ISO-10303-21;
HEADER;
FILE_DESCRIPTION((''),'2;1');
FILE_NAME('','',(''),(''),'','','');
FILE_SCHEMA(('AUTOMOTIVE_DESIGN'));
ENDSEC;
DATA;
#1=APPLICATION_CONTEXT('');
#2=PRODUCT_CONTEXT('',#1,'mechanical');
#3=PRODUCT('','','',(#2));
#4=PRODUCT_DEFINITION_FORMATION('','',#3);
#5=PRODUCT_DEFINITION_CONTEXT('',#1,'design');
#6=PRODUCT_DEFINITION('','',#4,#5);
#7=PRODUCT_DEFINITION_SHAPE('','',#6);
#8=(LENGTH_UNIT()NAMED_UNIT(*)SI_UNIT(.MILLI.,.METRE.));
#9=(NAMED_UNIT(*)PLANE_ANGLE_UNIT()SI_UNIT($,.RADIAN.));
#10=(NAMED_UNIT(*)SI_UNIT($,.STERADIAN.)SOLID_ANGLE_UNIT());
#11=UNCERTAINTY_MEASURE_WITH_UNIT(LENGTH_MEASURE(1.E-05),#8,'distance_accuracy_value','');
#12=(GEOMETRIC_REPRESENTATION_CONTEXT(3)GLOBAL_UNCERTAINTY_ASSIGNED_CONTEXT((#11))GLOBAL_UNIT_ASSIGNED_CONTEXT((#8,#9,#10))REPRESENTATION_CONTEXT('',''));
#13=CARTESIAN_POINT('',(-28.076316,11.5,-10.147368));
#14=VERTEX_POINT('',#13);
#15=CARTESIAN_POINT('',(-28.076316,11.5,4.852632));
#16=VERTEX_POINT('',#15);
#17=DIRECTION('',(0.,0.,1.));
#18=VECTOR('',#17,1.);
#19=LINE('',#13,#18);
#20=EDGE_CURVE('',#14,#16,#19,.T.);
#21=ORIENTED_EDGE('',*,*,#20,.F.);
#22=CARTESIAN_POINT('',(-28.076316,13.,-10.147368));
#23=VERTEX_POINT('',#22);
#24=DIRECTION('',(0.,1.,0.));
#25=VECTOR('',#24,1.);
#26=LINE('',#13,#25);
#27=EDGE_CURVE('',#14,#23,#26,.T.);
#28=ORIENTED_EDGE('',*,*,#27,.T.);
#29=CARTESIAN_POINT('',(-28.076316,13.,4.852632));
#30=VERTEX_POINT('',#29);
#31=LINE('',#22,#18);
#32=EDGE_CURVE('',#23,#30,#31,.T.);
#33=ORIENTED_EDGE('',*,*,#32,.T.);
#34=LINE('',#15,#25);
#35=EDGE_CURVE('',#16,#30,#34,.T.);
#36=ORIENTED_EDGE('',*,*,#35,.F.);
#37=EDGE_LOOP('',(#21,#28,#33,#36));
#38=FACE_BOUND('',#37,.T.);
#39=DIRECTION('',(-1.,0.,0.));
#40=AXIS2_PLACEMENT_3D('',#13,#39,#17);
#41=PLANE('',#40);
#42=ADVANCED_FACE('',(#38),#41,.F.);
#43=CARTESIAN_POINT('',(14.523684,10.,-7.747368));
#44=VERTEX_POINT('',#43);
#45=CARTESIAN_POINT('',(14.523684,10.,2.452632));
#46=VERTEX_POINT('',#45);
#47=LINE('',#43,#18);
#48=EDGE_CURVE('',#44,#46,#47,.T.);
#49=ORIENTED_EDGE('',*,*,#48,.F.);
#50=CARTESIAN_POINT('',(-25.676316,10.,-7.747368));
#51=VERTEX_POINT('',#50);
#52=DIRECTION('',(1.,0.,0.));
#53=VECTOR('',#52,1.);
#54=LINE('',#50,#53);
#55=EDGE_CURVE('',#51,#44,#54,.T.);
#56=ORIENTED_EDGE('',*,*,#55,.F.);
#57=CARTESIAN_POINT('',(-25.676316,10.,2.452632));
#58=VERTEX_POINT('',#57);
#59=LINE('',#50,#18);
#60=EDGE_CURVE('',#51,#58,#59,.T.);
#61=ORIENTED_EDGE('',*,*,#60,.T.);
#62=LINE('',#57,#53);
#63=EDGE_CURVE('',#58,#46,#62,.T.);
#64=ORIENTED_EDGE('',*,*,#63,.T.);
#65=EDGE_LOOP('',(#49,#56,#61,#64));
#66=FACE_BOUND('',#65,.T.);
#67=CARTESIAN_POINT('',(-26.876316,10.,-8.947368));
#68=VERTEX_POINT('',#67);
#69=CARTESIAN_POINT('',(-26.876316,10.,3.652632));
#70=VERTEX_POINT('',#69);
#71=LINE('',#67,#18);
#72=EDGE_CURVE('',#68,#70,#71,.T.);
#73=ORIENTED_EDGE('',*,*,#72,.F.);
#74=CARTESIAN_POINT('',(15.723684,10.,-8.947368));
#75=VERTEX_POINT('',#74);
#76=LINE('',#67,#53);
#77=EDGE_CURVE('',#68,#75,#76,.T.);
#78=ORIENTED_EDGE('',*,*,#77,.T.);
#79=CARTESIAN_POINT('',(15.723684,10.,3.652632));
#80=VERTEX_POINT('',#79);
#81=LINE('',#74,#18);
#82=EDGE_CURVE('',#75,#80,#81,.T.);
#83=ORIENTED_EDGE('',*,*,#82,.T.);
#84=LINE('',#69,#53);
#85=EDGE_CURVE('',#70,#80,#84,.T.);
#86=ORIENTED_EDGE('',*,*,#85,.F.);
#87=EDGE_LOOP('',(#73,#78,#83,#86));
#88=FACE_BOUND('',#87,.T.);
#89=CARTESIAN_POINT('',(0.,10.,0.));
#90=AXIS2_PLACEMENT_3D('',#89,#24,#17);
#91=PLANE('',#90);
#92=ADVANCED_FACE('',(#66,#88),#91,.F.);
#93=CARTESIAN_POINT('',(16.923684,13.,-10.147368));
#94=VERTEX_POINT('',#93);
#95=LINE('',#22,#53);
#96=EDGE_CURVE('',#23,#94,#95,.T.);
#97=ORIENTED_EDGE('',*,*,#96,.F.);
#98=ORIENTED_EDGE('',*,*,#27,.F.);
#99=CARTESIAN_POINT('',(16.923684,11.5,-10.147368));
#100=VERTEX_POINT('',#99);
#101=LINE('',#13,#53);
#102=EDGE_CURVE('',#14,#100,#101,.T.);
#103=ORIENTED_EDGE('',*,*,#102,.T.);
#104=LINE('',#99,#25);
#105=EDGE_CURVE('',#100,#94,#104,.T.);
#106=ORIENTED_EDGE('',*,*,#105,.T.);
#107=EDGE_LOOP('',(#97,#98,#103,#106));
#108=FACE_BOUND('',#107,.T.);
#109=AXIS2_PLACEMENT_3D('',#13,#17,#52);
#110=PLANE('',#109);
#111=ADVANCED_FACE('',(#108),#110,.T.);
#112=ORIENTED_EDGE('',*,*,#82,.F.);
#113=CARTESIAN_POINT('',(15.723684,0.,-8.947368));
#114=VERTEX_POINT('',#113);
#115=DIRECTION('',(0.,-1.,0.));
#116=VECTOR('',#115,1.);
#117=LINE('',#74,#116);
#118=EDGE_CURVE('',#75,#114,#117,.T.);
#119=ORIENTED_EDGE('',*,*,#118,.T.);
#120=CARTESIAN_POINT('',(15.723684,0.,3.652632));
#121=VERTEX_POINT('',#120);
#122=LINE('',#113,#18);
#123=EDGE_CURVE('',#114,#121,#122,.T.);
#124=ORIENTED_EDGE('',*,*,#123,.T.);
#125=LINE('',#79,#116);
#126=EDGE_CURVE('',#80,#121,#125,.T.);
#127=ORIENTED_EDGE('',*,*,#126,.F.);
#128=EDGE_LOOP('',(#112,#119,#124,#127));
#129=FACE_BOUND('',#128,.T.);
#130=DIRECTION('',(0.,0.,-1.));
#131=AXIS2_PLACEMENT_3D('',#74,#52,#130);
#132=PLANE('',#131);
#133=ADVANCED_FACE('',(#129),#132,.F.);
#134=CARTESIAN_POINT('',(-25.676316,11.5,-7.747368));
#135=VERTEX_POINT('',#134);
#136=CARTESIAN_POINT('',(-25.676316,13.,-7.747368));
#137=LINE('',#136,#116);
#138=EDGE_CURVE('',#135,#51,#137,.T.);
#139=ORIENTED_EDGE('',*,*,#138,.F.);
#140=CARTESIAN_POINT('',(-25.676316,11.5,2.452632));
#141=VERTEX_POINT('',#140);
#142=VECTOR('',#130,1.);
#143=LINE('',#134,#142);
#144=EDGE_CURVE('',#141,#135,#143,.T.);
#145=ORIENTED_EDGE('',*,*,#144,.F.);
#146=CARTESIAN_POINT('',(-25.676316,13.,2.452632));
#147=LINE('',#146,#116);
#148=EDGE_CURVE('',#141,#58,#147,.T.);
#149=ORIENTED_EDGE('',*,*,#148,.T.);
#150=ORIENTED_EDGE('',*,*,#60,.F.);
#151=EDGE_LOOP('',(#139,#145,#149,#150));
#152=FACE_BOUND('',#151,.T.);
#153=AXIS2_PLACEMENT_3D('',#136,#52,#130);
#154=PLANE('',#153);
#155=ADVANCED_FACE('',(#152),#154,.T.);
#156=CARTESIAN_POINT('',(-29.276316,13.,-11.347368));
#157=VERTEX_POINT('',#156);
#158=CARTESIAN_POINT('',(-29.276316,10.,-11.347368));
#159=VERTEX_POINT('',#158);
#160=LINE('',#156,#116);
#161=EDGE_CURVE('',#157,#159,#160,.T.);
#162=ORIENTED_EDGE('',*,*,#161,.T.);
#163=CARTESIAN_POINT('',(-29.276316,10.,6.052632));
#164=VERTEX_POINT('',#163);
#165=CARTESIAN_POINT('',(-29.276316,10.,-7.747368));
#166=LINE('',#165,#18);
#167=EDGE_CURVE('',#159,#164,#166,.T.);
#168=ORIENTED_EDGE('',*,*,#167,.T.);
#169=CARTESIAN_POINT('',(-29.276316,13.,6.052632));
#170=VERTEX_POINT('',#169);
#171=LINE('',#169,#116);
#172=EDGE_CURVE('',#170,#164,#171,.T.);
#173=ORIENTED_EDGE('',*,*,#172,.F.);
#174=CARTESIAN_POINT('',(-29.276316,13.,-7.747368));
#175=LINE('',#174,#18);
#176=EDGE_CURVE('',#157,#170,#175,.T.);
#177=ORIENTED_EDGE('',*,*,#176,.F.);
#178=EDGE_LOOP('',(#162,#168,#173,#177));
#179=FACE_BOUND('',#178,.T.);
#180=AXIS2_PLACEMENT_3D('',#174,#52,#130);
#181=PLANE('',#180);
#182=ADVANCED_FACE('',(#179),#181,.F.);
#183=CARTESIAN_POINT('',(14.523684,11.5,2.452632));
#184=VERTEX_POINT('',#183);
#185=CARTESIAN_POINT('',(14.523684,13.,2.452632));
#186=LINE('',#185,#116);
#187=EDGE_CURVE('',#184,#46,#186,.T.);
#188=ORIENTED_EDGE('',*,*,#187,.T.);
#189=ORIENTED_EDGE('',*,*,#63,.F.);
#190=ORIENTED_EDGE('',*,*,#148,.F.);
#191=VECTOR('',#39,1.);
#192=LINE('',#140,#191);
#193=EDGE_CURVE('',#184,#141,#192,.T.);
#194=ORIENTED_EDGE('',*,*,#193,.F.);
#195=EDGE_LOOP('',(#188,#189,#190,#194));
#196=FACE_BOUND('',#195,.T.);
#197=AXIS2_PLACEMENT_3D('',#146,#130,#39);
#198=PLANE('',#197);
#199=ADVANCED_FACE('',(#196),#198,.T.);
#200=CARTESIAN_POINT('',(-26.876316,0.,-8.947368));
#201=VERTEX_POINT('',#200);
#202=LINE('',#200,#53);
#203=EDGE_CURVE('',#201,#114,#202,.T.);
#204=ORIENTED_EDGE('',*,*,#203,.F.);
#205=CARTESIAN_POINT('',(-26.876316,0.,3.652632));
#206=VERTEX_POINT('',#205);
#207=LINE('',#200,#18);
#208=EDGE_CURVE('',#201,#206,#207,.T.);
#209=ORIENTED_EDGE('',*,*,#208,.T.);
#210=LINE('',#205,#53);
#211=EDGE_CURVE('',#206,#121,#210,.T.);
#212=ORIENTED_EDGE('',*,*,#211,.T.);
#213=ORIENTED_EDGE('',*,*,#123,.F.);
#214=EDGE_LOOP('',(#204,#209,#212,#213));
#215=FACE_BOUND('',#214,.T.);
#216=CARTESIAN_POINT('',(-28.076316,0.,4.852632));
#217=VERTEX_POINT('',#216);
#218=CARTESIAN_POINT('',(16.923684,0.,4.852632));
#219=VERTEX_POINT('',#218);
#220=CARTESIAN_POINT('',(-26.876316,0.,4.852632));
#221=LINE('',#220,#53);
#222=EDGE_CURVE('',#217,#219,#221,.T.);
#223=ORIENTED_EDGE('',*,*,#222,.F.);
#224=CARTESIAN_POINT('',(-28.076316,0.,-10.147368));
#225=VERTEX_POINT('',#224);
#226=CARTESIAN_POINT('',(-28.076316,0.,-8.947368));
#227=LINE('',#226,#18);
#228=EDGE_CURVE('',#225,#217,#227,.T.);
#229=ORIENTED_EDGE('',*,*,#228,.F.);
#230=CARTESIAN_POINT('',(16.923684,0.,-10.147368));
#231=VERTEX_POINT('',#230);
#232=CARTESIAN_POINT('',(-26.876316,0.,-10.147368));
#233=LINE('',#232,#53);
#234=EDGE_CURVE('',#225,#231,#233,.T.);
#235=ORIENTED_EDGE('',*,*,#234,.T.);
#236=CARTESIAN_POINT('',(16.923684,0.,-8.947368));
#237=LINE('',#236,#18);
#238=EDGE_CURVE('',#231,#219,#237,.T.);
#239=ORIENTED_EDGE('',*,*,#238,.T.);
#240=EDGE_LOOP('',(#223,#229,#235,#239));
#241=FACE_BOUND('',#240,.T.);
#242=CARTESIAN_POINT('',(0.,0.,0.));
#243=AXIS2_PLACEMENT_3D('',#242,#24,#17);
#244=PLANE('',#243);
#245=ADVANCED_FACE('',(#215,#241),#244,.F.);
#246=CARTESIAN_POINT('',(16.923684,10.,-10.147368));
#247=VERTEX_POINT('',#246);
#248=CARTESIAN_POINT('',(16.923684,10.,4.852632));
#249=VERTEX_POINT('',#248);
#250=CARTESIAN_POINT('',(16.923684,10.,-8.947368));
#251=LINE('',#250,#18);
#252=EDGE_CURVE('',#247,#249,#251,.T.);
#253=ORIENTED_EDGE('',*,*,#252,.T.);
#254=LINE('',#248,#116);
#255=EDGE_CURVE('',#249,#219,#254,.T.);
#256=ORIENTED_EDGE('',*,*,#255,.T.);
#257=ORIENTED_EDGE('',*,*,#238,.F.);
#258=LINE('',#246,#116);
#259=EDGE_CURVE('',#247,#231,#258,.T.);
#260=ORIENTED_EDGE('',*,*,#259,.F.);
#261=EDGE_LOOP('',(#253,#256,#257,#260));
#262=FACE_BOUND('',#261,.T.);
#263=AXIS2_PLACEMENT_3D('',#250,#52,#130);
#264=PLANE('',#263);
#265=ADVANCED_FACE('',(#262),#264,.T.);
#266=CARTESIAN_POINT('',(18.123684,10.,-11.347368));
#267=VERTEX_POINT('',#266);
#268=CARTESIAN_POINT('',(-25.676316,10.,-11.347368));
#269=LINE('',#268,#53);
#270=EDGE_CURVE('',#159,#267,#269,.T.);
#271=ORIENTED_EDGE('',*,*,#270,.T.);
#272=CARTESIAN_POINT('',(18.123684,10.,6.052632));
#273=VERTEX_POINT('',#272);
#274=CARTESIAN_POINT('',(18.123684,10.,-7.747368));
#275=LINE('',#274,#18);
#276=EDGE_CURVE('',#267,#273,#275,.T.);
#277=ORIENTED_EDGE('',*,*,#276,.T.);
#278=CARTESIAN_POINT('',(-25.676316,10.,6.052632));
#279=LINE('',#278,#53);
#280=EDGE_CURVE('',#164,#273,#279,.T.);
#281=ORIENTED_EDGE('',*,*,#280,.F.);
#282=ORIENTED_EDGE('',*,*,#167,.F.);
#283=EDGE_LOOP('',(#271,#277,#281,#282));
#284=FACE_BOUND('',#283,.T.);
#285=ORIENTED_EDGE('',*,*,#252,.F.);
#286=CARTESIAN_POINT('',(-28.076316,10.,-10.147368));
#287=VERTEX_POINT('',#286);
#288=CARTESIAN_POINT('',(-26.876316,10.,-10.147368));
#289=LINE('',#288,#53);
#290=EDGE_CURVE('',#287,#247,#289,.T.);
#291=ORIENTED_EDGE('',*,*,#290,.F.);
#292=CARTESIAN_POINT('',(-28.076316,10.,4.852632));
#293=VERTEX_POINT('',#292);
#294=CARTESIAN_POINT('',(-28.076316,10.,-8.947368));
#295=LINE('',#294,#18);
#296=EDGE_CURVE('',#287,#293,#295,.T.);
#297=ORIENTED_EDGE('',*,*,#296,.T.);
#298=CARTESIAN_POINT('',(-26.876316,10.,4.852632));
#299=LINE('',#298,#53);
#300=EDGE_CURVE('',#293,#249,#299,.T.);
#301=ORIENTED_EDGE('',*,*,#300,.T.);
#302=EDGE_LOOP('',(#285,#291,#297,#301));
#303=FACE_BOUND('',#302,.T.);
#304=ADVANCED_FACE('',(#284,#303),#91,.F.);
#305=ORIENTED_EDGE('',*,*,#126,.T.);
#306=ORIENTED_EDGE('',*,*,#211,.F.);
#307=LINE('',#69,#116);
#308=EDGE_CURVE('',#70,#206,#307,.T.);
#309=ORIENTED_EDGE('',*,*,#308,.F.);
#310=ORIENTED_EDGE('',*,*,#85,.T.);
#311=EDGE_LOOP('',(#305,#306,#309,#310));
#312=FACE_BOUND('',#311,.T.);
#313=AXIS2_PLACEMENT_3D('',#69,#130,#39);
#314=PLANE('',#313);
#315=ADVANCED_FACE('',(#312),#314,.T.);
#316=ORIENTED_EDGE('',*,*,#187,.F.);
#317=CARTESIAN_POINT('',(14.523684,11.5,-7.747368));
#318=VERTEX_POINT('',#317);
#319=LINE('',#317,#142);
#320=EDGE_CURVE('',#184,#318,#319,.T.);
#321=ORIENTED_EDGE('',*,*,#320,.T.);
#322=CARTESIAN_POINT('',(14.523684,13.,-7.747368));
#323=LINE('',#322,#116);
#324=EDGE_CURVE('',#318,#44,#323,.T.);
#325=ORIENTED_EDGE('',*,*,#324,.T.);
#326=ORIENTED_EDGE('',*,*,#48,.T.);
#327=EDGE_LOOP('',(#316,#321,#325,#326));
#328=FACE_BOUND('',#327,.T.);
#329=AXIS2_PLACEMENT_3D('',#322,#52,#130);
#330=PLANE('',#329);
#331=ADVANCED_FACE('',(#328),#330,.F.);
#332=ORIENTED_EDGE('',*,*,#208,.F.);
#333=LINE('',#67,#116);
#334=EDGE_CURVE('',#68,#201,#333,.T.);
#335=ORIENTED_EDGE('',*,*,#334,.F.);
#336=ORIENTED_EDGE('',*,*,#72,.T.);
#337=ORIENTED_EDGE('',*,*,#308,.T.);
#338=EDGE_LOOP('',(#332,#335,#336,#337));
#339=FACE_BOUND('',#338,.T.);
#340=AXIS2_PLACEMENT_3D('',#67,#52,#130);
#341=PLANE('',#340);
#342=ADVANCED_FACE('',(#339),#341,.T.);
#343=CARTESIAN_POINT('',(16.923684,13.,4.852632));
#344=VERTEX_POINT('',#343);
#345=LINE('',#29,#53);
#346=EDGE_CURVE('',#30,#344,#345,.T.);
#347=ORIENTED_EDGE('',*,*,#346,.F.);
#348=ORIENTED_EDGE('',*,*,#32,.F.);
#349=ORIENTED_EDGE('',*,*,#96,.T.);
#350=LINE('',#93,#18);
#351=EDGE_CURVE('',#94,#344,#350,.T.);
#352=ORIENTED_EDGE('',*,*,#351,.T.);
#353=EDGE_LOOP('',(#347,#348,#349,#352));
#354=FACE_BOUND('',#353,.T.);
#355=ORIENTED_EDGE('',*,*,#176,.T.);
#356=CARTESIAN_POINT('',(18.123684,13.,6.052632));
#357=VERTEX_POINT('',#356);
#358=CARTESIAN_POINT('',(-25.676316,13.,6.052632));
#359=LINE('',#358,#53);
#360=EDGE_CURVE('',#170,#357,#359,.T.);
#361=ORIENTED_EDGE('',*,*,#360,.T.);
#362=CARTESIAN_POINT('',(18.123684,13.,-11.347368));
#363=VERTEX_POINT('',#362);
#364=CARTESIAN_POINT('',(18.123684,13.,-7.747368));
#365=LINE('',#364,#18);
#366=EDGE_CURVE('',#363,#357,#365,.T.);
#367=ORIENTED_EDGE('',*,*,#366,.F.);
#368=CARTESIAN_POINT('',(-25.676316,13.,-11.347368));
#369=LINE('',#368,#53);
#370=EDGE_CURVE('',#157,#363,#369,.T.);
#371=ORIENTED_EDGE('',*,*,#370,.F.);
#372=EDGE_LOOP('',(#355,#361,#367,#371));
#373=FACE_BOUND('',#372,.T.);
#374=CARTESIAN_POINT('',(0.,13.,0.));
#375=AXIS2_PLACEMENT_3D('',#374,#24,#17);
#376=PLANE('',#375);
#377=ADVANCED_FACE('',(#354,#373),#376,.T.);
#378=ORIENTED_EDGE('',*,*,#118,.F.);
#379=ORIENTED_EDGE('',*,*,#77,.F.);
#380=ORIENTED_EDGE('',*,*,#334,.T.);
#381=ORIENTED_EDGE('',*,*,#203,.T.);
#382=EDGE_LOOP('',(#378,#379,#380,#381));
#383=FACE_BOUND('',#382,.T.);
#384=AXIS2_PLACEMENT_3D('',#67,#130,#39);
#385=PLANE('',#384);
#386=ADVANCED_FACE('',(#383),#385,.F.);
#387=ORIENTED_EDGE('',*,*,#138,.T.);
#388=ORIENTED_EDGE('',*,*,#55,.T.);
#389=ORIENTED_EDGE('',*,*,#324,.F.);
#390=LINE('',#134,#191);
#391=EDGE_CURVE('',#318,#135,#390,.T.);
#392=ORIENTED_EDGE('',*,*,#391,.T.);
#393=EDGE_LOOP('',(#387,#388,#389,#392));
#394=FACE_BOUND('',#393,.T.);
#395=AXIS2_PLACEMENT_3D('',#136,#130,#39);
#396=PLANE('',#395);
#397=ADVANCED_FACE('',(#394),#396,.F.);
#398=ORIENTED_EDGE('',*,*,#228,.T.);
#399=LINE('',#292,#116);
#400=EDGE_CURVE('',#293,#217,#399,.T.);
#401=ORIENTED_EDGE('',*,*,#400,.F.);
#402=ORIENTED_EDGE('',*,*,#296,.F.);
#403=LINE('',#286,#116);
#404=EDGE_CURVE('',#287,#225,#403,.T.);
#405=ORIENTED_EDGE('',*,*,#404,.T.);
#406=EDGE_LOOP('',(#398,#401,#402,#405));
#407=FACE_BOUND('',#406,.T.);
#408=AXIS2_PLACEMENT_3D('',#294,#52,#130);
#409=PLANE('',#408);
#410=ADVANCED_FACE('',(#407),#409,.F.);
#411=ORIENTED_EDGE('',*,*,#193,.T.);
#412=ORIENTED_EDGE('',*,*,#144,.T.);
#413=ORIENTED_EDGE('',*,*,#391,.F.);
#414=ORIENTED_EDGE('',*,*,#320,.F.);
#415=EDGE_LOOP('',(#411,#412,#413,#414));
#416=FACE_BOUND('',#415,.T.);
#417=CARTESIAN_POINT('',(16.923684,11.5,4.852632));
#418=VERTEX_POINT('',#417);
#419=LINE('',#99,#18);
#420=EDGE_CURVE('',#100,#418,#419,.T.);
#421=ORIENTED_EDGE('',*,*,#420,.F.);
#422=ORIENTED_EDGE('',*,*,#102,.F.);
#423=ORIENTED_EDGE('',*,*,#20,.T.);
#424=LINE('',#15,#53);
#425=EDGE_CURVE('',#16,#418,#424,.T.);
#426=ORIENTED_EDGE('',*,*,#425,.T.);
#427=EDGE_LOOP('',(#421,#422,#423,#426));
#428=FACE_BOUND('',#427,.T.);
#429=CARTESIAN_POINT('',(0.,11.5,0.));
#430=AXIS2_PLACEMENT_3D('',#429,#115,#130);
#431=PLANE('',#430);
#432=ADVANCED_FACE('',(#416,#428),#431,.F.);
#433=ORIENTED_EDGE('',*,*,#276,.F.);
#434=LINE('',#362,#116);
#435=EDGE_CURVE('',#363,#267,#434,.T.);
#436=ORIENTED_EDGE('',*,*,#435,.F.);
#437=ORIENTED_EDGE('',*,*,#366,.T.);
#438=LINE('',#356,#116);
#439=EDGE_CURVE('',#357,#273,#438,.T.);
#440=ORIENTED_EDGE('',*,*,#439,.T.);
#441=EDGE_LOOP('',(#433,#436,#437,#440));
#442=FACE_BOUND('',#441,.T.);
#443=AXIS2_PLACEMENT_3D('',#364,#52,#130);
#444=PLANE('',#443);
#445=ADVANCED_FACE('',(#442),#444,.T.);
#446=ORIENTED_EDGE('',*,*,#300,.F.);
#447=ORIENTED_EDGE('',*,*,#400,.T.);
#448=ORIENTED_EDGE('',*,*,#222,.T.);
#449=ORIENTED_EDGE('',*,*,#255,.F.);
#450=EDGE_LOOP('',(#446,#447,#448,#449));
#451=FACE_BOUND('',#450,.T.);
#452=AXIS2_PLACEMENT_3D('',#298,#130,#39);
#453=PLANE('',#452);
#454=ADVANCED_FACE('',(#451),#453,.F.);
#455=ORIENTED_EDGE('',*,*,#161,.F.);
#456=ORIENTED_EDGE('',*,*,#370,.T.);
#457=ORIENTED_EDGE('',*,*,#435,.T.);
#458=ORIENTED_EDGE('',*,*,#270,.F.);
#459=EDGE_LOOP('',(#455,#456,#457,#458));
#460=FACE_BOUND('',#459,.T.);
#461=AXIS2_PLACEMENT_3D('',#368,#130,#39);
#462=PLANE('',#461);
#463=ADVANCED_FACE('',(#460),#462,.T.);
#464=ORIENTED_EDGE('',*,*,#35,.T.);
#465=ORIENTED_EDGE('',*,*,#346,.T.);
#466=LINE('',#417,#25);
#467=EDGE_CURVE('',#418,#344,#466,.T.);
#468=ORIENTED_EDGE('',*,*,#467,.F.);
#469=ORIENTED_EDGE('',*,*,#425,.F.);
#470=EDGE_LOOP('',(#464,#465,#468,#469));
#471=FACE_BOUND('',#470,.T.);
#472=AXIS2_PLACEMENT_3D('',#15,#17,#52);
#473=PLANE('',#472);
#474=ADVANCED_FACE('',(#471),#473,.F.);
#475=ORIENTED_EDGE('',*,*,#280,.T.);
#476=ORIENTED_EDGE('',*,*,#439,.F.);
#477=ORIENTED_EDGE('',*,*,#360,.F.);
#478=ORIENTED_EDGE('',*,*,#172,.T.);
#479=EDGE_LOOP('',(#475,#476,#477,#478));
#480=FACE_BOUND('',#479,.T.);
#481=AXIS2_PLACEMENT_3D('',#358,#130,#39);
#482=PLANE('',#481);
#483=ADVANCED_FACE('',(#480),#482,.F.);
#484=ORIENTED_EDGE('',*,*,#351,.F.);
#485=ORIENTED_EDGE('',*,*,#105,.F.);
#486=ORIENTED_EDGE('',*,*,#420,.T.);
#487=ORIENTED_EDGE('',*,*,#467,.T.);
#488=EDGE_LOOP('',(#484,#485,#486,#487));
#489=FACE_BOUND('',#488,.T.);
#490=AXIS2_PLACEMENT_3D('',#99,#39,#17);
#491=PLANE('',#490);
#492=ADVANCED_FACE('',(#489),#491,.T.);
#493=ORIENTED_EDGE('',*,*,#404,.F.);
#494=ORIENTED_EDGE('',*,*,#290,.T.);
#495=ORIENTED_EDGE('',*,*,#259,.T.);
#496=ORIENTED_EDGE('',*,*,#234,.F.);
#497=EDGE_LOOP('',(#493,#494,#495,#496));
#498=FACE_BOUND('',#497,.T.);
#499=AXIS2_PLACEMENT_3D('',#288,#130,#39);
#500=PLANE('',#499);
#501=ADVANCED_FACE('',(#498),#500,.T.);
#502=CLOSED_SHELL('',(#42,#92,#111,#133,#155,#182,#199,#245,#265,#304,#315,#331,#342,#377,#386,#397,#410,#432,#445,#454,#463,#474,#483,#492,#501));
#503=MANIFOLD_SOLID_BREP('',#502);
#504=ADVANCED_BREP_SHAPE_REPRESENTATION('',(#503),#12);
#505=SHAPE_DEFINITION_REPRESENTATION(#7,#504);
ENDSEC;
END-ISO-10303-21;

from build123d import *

# Parameters (mm, degrees)
SKETCH2_W           = 45
SKETCH2_H           = 15
SKETCH2_W_2         = 42.6
SKETCH2_H_2         = 12.6
EXTRUDE_THIN1_DEPTH = 10
SKETCH5_W           = 47.4
SKETCH5_H           = 17.4
SKETCH5_W_2         = 40.2
SKETCH5_H_2         = 10.2
EXTRUDE_THIN3_DEPTH = 3
SKETCH6_W           = 45
SKETCH6_H           = 15
CUT_EXTRUDE2_DEPTH  = 1.5


with BuildPart() as part:
    # Sketch2 → Extrude-Thin1 (new body)
    with BuildSketch(Plane(origin=(0, 0, 0), x_dir=(1, 0, 0), z_dir=(0, 1, 0))):
        with Locations((-5.576315789, 2.647368421)):
            Rectangle(SKETCH2_W, SKETCH2_H)
        with Locations((-5.576315789, 2.647368421)):
            Rectangle(SKETCH2_W_2, SKETCH2_H_2, mode=Mode.SUBTRACT)
    extrude(amount=EXTRUDE_THIN1_DEPTH)

    # Sketch5 → Extrude-Thin3 (add)
    with BuildSketch(Plane(origin=(0, 10, 0), x_dir=(1, 0, 0), z_dir=(0, 1, 0))):
        with Locations((-5.576315789, 2.647368421)):
            Rectangle(SKETCH5_W, SKETCH5_H)
        with Locations((-5.576315789, 2.647368421)):
            Rectangle(SKETCH5_W_2, SKETCH5_H_2, mode=Mode.SUBTRACT)
    extrude(amount=EXTRUDE_THIN3_DEPTH)

    # Sketch6 → Cut-Extrude2 (cut)
    with BuildSketch(Plane(origin=(0, 13, 0), x_dir=(1, 0, 0), z_dir=(0, 1, 0))):
        with Locations((-5.576315789, 2.647368421)):
            Rectangle(SKETCH6_W, SKETCH6_H)
    extrude(amount=-CUT_EXTRUDE2_DEPTH, mode=Mode.SUBTRACT)


solid = part.part
